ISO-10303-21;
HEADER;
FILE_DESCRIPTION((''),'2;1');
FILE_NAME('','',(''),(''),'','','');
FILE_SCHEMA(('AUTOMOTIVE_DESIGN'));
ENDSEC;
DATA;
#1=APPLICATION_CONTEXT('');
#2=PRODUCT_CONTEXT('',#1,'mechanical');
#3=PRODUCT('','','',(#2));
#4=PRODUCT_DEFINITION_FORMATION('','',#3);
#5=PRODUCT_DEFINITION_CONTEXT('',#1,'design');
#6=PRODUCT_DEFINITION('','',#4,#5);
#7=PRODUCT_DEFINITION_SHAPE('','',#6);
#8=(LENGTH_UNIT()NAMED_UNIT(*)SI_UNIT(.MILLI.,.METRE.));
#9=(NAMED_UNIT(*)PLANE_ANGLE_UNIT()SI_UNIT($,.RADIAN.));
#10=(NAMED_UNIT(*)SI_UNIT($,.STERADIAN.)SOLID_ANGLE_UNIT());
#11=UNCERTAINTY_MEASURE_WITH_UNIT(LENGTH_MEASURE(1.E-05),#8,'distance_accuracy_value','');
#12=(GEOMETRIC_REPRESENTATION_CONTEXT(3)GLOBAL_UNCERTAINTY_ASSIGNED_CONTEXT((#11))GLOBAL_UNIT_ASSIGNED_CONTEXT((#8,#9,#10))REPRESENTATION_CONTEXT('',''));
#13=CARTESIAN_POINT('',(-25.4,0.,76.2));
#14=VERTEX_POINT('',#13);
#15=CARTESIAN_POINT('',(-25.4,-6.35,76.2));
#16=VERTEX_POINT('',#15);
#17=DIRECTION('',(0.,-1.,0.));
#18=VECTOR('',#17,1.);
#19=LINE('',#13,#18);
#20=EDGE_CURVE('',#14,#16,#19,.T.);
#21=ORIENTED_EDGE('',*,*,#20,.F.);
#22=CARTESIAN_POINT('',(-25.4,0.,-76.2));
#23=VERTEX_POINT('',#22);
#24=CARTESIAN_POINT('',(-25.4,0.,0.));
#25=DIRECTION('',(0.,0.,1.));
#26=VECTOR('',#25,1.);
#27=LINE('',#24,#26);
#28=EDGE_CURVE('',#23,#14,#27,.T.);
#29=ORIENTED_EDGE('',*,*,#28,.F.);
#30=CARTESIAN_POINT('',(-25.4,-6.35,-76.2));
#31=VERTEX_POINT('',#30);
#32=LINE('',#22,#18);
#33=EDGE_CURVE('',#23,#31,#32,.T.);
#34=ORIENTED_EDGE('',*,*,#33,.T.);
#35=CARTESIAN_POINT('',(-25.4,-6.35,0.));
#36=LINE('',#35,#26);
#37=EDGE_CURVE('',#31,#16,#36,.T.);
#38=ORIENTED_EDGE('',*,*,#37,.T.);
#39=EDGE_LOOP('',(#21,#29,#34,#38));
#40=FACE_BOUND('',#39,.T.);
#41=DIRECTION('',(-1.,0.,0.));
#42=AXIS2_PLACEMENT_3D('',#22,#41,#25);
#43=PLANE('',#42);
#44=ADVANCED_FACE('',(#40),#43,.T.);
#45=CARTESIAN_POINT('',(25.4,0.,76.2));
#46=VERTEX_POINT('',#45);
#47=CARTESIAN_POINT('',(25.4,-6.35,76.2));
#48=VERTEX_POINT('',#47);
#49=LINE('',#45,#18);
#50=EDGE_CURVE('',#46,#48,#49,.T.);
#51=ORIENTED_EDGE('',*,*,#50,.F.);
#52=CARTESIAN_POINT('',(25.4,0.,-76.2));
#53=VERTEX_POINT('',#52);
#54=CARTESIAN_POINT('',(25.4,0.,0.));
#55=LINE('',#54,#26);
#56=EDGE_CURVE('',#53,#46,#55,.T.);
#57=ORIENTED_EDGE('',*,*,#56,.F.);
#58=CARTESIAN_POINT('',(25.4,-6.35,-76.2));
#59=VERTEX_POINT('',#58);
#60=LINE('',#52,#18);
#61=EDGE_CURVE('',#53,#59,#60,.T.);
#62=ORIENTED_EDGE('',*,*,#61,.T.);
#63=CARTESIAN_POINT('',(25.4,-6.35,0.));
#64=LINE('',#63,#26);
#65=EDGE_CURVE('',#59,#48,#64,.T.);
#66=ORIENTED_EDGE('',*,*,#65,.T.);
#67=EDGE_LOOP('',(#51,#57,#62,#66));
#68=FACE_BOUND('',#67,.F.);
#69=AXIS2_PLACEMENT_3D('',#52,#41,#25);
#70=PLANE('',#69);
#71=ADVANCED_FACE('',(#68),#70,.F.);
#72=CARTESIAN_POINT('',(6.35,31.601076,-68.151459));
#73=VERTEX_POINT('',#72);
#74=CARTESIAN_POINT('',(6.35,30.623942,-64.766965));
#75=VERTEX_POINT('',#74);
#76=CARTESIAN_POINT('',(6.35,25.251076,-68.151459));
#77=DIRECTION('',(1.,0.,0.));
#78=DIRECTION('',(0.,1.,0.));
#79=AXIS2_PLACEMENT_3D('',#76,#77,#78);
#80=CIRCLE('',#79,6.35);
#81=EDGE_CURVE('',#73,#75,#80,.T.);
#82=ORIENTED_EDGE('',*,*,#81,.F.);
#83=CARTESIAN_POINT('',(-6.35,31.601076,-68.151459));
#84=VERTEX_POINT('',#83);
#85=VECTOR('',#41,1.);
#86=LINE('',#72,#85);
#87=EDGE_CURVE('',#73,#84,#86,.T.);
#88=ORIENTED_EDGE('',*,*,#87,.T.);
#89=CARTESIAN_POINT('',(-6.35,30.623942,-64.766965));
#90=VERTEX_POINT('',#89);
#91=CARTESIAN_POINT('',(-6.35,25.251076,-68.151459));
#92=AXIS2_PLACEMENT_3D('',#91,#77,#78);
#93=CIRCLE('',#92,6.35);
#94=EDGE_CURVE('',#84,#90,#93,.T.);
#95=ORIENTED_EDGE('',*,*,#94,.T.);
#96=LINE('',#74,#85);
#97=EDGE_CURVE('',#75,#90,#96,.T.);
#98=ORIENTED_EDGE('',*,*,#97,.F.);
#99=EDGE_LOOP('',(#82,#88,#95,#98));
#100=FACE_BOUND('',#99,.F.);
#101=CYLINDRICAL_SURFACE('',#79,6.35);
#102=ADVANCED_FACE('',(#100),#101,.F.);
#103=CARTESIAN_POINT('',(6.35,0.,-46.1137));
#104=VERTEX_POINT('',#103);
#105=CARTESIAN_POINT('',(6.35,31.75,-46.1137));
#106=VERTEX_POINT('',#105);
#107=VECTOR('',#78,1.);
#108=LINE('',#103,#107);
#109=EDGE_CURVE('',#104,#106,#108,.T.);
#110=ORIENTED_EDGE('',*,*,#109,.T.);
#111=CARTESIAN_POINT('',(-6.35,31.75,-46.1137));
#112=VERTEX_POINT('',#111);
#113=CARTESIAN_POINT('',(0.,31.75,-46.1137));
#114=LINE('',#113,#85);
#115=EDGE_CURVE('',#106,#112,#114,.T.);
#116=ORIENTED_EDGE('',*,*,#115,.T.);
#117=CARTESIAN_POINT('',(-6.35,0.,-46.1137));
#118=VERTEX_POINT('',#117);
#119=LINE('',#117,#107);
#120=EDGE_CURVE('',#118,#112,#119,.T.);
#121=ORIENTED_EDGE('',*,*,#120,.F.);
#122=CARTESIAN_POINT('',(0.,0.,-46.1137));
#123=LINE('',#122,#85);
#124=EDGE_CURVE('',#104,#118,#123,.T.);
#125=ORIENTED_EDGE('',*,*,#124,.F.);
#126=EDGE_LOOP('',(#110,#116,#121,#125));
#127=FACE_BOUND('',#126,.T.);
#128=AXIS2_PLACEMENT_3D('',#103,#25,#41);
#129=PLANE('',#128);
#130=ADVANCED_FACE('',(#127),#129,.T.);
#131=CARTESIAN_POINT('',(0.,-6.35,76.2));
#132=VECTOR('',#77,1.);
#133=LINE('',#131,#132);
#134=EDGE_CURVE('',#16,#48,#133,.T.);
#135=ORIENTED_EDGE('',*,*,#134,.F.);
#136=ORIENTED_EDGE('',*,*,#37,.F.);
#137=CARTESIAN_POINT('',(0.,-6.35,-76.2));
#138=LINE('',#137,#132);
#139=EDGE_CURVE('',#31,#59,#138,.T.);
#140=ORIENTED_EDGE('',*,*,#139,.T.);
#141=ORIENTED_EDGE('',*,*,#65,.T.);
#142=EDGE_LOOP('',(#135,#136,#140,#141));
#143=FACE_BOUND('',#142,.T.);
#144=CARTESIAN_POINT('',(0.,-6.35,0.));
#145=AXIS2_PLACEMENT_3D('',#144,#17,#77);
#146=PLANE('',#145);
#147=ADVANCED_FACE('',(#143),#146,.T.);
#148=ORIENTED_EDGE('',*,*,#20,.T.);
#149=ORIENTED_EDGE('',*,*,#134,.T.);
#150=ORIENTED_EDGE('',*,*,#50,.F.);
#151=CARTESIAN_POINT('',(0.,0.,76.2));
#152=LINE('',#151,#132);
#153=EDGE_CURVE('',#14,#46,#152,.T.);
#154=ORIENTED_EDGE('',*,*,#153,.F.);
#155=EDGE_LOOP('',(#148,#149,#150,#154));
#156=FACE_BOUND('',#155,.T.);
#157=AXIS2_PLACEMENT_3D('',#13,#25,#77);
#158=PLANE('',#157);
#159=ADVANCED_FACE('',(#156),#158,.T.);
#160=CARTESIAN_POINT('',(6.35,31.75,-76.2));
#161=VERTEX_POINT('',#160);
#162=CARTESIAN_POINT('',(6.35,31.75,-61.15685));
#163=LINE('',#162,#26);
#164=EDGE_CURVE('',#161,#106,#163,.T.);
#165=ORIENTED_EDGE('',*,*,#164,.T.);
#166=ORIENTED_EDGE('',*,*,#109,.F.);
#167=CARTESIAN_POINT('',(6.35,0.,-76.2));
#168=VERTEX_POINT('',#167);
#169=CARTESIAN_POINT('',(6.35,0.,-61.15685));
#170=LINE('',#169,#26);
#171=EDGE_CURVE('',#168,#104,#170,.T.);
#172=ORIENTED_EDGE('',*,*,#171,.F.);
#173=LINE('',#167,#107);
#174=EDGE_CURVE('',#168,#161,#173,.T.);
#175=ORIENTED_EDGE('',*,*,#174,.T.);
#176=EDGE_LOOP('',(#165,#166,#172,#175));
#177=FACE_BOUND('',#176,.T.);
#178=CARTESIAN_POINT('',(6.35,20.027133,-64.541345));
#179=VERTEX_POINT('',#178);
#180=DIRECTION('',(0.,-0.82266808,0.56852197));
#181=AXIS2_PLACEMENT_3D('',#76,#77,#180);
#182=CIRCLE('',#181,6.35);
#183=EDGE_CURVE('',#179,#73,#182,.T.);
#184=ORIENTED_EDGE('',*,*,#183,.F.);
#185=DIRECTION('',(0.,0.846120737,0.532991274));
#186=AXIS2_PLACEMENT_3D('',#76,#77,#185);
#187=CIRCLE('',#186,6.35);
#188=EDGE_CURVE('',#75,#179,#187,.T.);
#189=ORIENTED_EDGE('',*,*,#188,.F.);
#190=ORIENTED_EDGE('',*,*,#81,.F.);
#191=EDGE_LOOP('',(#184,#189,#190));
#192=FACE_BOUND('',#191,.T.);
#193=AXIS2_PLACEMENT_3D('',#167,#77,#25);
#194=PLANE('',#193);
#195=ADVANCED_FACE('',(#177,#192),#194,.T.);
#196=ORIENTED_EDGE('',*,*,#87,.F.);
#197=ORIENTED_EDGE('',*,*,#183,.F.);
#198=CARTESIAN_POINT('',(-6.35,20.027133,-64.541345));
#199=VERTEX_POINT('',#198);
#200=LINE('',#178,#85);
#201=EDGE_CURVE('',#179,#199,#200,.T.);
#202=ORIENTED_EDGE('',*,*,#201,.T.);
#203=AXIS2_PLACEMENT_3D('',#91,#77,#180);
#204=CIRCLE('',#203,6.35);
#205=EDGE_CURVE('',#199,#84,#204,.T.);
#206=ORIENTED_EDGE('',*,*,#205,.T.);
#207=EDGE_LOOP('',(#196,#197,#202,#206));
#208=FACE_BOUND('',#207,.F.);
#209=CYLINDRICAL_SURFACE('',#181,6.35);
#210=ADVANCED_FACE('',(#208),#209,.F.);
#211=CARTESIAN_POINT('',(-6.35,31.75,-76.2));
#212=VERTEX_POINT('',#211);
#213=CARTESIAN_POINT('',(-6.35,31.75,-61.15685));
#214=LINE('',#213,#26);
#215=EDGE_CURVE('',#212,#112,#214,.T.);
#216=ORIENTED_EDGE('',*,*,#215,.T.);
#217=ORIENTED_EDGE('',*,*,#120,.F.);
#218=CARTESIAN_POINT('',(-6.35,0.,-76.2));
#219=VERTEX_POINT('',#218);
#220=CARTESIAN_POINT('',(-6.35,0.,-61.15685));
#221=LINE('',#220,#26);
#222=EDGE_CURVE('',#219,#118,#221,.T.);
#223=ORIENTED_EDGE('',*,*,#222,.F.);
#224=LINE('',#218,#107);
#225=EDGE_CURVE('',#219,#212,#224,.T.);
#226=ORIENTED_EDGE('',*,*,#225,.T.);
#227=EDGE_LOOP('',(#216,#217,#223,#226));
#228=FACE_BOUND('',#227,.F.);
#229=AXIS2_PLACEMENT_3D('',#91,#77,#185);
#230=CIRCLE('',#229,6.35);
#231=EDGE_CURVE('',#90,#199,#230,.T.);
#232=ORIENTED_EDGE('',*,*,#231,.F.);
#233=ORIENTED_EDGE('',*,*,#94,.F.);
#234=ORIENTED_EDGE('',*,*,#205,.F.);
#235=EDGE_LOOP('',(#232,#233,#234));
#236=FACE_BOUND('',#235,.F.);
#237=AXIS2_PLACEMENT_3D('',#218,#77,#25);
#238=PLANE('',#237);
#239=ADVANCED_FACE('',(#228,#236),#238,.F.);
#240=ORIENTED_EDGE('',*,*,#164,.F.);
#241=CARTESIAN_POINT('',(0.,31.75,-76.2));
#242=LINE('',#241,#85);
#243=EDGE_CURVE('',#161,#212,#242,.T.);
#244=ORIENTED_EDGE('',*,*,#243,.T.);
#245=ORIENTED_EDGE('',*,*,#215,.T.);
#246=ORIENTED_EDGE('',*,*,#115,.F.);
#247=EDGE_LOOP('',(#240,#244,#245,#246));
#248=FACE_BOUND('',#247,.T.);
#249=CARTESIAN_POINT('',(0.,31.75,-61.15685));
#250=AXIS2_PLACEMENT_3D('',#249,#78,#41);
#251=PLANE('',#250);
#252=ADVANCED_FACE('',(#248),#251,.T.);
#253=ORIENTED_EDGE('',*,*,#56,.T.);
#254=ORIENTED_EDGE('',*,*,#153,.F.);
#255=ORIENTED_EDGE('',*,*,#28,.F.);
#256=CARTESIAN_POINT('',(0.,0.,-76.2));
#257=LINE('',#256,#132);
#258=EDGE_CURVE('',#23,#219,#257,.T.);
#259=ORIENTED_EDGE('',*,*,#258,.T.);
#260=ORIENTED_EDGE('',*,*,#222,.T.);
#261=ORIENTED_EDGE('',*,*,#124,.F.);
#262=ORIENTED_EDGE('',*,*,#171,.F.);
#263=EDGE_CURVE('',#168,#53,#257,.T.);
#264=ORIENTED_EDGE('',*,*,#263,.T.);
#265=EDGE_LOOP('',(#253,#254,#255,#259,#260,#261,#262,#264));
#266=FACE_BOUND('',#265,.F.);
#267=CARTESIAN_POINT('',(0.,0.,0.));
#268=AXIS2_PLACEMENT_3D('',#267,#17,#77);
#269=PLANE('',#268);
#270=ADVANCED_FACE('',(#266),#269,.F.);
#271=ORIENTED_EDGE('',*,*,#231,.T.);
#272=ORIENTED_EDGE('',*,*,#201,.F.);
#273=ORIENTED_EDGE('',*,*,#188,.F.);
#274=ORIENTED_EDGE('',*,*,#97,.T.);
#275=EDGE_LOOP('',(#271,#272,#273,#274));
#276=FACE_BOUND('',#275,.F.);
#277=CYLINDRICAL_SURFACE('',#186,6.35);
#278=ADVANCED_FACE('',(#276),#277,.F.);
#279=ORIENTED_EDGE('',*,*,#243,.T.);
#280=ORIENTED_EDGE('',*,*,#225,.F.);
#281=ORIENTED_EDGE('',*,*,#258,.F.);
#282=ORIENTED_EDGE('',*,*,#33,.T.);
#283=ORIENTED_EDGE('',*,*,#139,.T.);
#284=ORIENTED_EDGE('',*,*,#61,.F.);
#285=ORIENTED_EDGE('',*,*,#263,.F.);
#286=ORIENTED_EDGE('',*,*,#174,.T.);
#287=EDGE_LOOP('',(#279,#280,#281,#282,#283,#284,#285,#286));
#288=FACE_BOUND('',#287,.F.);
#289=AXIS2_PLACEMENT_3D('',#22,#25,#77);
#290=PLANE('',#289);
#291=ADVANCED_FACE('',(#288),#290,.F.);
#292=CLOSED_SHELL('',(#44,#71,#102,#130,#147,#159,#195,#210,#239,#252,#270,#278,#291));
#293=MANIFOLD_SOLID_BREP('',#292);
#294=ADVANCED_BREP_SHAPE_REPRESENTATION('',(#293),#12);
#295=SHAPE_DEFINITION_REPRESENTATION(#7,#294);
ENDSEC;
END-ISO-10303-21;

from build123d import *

# Parameters (mm, degrees)
F0_W     = 50.8
F0_H     = 152.4
F1_DEPTH = 6.35
F2_W     = 12.7
F2_H     = 30.0863
F3_DEPTH = 31.75
F6_DEPTH = 31.751


with BuildPart() as f1:
    # F0 (on Front) → F1 (new body)
    with BuildSketch(Plane.XZ):
        Rectangle(F0_W, F0_H)
    extrude(amount=F1_DEPTH)

    # F2 (on face) → F3 (join)
    with BuildSketch(Plane(origin=(0, 0, 0), x_dir=(-1, 0, 0), z_dir=(0, 1, 0))):
        with Locations((0, -61.15685)):
            Rectangle(F2_W, F2_H)
    extrude(amount=F3_DEPTH)

    # F5 (on face) → F6 (cut, through all)
    with BuildSketch(Plane.YZ.offset(6.35)):
        with BuildLine():
            ThreePointArc((20.0271333182, -64.5413445885), (25.26483083, -67.5054111988), (30.6239423072, -64.7669645094))
            ThreePointArc((30.6239423072, -64.7669645094), (25.3862447954, -61.802897899), (20.0271333182, -64.5413445885))
        make_face()
        with BuildLine():
            ThreePointArc((20.0271333182, -64.5413445885), (23.3602469249, -74.2134114917), (31.6010756254, -68.1514590979))
            ThreePointArc((31.6010756254, -68.1514590979), (31.3519035786, -66.3900964761), (30.6239423072, -64.7669645094))
            ThreePointArc((30.6239423072, -64.7669645094), (25.26483083, -67.5054111988), (20.0271333182, -64.5413445885))
        make_face()
    extrude(amount=-F6_DEPTH, mode=Mode.SUBTRACT)


solid = f1.part
